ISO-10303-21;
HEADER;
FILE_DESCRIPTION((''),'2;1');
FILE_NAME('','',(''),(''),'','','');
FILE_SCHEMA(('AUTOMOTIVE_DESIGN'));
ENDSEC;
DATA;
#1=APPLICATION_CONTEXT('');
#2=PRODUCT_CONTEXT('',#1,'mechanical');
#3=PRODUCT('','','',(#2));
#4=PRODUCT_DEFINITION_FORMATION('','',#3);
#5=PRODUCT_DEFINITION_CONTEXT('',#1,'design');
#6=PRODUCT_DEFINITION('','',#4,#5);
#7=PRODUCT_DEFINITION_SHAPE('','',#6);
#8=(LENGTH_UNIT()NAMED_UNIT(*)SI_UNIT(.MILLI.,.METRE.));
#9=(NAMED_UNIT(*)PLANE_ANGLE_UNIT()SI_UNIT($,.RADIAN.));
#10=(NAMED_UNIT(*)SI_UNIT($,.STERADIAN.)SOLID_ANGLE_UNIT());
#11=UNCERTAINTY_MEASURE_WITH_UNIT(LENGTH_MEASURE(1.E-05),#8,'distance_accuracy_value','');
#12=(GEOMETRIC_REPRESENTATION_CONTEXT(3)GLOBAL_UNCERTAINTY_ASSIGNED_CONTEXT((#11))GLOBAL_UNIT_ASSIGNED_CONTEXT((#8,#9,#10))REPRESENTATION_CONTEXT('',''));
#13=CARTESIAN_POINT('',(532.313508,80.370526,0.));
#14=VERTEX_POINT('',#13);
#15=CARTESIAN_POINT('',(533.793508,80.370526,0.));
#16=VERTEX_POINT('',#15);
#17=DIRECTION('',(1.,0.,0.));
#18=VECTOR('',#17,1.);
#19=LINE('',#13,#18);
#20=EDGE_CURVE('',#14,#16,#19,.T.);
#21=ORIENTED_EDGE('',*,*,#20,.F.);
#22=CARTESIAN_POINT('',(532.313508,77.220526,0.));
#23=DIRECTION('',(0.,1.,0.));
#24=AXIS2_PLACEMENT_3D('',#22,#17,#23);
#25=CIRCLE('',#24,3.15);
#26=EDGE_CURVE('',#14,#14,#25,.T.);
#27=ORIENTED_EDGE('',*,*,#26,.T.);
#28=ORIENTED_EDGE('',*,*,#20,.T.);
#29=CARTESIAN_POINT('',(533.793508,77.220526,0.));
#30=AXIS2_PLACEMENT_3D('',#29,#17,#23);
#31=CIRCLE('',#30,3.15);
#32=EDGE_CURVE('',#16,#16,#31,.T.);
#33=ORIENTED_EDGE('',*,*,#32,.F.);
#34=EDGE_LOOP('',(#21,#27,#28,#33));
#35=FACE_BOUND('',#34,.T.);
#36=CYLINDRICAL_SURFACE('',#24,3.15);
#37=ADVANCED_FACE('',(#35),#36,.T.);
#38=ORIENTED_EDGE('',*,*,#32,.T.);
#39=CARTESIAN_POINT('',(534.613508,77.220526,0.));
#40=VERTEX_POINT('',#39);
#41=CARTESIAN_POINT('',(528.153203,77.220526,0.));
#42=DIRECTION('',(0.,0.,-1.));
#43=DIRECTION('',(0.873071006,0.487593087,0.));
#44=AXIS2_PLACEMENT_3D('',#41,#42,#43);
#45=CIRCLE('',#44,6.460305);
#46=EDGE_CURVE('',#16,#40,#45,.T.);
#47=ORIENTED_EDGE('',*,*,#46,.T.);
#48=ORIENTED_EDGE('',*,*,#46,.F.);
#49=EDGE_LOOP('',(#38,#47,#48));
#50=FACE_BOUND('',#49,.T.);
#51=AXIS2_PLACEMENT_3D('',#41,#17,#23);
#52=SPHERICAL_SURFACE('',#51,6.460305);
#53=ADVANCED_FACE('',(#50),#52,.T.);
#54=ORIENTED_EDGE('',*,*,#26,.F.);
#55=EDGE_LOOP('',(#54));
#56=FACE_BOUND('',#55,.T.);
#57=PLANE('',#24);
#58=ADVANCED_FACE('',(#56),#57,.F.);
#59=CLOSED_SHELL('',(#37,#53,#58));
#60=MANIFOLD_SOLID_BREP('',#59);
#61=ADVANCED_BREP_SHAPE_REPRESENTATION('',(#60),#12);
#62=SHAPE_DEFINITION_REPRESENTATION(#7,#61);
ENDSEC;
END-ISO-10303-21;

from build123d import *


with BuildPart() as part:
    # 草图1 → 旋转1 (revolve)
    with BuildSketch(Plane.XY):
        with BuildLine():
            Line((532.313507864, 77.220526373), (532.313507864, 80.370526373))
            Line((532.313507864, 80.370526373), (533.793507864, 80.370526373))
            ThreePointArc((533.793507864, 80.370526373), (534.405147813, 78.848016772), (534.613507864, 77.220526373))
            Line((534.613507864, 77.220526373), (532.313507864, 77.220526373))
        make_face()
    revolve(axis=Axis((531.451879695, 77.220526373, 0), (1, 0, 0)))


solid = part.part
